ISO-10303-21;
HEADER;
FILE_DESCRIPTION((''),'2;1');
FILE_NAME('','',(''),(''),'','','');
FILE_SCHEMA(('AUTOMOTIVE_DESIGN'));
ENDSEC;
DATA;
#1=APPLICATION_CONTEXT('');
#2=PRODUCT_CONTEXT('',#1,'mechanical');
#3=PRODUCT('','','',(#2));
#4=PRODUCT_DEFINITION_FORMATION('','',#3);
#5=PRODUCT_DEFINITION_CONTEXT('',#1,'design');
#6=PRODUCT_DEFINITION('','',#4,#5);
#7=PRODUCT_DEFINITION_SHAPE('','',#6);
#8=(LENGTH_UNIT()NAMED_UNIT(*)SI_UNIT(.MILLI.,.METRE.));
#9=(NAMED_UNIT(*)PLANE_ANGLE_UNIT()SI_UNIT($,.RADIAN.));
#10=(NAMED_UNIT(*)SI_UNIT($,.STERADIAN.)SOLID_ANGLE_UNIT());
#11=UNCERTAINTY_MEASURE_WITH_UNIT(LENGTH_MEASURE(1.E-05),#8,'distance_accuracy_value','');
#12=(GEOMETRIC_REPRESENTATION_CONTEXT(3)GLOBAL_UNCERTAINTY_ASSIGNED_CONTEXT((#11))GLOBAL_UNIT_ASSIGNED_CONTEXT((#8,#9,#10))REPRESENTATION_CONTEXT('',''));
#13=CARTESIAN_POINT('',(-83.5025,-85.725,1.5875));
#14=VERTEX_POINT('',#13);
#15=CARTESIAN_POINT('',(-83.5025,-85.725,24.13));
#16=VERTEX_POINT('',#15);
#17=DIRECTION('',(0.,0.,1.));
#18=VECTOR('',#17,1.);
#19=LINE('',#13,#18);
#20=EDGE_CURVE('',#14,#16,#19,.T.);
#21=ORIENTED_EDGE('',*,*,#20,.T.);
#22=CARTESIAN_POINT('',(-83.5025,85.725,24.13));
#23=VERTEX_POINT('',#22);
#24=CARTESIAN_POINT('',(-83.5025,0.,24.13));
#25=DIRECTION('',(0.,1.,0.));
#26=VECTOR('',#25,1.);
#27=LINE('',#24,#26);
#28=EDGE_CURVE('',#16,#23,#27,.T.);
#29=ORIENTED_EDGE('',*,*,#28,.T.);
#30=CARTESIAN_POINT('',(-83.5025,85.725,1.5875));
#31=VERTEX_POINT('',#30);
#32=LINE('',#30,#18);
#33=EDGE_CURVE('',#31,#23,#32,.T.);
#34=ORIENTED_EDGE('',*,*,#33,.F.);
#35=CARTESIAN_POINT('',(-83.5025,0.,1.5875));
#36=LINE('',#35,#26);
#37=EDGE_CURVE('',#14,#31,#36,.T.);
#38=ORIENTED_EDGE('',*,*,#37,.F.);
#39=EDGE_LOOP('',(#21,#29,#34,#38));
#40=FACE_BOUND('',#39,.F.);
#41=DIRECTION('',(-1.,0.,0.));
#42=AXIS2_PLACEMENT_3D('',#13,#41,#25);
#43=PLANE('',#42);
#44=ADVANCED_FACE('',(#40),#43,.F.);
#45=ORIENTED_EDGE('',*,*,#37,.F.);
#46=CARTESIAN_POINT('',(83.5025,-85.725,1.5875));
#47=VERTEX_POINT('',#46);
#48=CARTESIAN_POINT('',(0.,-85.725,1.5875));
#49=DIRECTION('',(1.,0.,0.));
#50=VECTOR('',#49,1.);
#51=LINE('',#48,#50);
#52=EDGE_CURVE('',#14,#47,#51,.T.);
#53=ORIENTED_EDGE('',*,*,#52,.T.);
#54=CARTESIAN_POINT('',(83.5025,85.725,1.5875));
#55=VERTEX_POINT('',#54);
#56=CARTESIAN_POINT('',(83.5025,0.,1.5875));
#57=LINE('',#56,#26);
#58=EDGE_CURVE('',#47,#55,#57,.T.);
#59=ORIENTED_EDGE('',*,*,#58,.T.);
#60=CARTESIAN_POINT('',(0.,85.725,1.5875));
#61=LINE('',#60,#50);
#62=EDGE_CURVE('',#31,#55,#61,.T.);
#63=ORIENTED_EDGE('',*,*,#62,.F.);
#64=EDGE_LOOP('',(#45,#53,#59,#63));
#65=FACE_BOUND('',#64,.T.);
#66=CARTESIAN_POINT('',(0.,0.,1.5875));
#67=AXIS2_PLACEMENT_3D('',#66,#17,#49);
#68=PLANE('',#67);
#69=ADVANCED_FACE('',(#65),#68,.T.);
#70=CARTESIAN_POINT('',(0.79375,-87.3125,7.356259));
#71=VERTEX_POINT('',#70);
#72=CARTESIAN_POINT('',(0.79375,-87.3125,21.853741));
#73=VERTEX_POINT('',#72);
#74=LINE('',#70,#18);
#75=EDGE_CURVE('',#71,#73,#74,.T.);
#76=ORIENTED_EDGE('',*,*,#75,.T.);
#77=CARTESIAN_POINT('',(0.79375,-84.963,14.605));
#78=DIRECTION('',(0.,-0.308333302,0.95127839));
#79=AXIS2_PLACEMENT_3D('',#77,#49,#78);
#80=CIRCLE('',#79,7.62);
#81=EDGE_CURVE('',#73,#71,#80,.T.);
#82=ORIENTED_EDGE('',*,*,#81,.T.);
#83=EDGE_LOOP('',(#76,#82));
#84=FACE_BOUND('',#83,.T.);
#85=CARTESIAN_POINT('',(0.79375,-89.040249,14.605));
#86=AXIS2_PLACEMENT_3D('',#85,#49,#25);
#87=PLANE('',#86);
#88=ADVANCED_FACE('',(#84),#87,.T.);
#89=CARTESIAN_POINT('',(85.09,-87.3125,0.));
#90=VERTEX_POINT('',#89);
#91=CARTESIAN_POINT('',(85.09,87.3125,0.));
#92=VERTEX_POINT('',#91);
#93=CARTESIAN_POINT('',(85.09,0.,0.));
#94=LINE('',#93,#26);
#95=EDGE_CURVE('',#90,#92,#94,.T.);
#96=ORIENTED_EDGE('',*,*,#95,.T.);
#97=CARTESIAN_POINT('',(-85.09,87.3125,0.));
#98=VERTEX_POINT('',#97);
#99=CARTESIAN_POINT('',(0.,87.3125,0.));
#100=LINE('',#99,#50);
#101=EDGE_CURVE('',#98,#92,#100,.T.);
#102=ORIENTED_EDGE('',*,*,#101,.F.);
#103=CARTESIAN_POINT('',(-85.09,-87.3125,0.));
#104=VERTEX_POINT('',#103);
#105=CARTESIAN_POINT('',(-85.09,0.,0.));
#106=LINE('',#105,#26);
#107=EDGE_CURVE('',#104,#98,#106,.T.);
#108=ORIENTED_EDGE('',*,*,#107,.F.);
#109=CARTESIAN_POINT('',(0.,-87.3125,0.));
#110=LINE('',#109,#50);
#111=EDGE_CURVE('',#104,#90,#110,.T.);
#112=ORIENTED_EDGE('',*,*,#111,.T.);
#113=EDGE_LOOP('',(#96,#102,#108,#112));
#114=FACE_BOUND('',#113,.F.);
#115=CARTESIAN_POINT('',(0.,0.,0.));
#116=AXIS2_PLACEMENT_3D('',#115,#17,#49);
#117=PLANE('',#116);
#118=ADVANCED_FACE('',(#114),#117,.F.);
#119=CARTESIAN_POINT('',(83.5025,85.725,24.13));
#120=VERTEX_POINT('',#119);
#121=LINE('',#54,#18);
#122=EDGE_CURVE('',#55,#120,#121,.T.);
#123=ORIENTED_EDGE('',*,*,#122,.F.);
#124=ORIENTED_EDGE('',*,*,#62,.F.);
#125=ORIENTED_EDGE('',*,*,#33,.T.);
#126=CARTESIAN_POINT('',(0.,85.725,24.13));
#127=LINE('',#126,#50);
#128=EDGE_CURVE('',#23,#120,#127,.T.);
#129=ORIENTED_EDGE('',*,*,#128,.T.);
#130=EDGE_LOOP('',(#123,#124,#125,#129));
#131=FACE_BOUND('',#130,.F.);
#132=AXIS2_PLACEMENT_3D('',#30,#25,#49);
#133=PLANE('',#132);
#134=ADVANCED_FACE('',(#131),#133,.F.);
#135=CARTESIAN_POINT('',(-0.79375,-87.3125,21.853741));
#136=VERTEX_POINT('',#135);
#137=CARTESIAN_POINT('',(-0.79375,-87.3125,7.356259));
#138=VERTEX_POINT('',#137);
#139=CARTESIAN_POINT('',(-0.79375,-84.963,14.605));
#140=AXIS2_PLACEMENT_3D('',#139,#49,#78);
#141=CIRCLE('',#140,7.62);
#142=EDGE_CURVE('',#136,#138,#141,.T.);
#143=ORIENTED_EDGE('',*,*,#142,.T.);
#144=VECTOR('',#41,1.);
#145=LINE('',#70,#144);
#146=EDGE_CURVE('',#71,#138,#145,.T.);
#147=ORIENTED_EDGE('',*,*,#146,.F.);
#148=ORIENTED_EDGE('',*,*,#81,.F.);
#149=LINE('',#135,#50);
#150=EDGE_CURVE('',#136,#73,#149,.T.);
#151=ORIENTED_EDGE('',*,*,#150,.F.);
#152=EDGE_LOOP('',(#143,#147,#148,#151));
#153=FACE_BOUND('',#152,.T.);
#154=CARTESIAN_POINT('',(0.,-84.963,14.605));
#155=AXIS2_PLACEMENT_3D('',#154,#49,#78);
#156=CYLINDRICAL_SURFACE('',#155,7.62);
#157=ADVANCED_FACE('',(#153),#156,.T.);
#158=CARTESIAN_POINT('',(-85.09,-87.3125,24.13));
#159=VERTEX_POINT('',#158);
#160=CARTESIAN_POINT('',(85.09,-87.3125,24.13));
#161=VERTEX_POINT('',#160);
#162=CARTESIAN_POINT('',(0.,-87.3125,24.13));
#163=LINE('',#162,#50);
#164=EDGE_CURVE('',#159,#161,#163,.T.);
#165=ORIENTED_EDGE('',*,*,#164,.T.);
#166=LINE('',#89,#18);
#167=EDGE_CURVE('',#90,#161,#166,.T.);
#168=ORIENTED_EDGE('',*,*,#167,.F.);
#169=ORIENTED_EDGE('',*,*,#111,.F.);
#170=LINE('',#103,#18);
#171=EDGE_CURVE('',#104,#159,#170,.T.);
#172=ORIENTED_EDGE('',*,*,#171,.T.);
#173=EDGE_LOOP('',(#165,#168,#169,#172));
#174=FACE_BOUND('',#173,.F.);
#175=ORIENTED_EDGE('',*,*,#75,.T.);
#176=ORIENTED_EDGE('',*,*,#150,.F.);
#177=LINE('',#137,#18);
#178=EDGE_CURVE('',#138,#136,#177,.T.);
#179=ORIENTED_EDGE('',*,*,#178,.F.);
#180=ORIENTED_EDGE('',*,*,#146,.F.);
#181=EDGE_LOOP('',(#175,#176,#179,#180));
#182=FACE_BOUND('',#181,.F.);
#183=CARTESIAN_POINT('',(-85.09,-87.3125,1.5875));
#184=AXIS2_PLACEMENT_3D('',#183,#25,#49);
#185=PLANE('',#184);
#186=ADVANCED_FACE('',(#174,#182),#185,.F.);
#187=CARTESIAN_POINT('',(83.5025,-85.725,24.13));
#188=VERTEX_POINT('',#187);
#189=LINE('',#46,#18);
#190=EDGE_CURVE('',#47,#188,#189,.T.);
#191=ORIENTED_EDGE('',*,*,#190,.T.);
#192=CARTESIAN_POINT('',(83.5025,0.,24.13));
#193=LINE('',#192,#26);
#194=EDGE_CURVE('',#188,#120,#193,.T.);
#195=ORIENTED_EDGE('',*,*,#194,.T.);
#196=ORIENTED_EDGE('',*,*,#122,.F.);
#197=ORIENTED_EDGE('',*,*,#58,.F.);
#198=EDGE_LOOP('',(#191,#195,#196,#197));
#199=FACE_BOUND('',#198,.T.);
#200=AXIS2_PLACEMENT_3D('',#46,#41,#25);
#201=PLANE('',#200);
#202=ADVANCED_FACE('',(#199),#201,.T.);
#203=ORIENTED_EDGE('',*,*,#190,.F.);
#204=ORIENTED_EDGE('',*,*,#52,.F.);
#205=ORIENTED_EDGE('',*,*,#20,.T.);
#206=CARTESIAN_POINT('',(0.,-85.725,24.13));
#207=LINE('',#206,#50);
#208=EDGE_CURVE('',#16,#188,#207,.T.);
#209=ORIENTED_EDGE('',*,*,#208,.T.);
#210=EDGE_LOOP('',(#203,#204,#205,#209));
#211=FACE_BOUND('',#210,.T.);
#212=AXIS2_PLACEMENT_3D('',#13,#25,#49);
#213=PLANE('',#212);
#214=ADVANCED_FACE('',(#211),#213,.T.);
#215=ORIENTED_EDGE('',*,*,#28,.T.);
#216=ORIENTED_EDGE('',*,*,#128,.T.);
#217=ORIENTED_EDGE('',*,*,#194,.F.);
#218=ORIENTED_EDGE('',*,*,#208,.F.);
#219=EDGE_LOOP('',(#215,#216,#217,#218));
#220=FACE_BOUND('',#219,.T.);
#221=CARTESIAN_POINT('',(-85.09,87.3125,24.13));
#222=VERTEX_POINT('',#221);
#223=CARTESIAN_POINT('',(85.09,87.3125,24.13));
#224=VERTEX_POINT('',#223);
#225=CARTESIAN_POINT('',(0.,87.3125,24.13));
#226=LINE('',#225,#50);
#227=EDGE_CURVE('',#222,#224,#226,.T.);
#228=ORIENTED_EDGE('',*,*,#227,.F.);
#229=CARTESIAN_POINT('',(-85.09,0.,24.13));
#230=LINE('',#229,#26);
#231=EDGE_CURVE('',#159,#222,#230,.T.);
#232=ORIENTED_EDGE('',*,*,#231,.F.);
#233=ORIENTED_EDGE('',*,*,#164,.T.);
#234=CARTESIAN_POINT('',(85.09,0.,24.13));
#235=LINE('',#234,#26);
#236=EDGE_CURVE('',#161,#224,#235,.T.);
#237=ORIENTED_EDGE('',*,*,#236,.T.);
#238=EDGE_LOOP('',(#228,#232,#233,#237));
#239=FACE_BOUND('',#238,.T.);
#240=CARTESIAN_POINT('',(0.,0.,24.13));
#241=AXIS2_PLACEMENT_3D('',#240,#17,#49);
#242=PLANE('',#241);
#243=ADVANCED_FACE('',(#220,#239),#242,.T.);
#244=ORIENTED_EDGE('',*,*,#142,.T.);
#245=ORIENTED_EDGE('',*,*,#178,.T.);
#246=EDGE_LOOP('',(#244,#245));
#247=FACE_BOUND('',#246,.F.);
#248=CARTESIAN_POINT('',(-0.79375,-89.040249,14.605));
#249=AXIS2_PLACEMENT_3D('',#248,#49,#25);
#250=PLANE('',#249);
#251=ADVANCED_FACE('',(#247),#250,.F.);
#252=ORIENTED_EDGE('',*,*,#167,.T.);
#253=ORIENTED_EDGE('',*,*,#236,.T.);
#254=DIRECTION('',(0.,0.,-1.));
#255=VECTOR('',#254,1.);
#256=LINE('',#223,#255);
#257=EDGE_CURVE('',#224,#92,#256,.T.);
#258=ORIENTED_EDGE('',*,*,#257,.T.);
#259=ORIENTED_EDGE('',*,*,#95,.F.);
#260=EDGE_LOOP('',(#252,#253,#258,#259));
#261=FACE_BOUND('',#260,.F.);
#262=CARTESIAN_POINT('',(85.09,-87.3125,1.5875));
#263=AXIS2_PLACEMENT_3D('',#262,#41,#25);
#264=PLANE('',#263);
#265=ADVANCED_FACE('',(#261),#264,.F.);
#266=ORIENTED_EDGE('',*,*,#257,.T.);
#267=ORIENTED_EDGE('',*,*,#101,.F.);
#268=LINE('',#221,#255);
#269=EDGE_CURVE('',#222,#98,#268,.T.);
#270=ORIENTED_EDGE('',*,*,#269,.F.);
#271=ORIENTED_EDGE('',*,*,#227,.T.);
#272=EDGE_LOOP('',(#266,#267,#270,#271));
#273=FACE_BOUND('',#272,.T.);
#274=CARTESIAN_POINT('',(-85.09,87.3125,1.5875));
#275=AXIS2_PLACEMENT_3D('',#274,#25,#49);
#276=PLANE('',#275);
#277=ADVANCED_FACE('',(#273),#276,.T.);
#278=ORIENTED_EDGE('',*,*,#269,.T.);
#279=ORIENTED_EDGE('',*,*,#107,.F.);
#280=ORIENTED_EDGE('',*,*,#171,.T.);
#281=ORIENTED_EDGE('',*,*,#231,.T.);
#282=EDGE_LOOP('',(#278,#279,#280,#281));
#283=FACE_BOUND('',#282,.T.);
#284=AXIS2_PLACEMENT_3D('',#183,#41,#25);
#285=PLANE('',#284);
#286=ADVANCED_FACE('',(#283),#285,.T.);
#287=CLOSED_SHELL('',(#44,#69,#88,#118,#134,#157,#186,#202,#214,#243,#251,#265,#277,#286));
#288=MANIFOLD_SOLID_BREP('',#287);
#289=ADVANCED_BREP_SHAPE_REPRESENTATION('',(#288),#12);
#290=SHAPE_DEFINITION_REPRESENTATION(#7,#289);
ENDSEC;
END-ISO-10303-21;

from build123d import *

# Parameters (mm, degrees)
F0_W     = 170.18
F0_H     = 174.625
F1_DEPTH = 1.5875
F2_W     = 170.18
F2_H     = 174.625
F2_W_2   = 167.005
F2_H_2   = 171.45
F3_DEPTH = 22.5425
F5_DEPTH = 0.79375


with BuildPart() as f1:
    # F0 (on Top) → F1 (new body)
    with BuildSketch(Plane.XY):
        Rectangle(F0_W, F0_H)
    extrude(amount=F1_DEPTH)

    # F2 (on face) → F3 (join)
    with BuildSketch(Plane.XY.offset(1.5875)):
        Rectangle(F2_W, F2_H)
        Rectangle(F2_W_2, F2_H_2, mode=Mode.SUBTRACT)
    extrude(amount=F3_DEPTH)

    # F4 (on Right) → F5 (join, symmetric)
    with BuildSketch(Plane.YZ):
        with BuildLine():
            Line((-87.3125, 7.356259), (-87.3125, 21.853741))
            ThreePointArc((-87.3125, 21.853741), (-92.583, 14.605), (-87.3125, 7.356259))
        make_face()
    extrude(amount=F5_DEPTH, both=True)


solid = f1.part
